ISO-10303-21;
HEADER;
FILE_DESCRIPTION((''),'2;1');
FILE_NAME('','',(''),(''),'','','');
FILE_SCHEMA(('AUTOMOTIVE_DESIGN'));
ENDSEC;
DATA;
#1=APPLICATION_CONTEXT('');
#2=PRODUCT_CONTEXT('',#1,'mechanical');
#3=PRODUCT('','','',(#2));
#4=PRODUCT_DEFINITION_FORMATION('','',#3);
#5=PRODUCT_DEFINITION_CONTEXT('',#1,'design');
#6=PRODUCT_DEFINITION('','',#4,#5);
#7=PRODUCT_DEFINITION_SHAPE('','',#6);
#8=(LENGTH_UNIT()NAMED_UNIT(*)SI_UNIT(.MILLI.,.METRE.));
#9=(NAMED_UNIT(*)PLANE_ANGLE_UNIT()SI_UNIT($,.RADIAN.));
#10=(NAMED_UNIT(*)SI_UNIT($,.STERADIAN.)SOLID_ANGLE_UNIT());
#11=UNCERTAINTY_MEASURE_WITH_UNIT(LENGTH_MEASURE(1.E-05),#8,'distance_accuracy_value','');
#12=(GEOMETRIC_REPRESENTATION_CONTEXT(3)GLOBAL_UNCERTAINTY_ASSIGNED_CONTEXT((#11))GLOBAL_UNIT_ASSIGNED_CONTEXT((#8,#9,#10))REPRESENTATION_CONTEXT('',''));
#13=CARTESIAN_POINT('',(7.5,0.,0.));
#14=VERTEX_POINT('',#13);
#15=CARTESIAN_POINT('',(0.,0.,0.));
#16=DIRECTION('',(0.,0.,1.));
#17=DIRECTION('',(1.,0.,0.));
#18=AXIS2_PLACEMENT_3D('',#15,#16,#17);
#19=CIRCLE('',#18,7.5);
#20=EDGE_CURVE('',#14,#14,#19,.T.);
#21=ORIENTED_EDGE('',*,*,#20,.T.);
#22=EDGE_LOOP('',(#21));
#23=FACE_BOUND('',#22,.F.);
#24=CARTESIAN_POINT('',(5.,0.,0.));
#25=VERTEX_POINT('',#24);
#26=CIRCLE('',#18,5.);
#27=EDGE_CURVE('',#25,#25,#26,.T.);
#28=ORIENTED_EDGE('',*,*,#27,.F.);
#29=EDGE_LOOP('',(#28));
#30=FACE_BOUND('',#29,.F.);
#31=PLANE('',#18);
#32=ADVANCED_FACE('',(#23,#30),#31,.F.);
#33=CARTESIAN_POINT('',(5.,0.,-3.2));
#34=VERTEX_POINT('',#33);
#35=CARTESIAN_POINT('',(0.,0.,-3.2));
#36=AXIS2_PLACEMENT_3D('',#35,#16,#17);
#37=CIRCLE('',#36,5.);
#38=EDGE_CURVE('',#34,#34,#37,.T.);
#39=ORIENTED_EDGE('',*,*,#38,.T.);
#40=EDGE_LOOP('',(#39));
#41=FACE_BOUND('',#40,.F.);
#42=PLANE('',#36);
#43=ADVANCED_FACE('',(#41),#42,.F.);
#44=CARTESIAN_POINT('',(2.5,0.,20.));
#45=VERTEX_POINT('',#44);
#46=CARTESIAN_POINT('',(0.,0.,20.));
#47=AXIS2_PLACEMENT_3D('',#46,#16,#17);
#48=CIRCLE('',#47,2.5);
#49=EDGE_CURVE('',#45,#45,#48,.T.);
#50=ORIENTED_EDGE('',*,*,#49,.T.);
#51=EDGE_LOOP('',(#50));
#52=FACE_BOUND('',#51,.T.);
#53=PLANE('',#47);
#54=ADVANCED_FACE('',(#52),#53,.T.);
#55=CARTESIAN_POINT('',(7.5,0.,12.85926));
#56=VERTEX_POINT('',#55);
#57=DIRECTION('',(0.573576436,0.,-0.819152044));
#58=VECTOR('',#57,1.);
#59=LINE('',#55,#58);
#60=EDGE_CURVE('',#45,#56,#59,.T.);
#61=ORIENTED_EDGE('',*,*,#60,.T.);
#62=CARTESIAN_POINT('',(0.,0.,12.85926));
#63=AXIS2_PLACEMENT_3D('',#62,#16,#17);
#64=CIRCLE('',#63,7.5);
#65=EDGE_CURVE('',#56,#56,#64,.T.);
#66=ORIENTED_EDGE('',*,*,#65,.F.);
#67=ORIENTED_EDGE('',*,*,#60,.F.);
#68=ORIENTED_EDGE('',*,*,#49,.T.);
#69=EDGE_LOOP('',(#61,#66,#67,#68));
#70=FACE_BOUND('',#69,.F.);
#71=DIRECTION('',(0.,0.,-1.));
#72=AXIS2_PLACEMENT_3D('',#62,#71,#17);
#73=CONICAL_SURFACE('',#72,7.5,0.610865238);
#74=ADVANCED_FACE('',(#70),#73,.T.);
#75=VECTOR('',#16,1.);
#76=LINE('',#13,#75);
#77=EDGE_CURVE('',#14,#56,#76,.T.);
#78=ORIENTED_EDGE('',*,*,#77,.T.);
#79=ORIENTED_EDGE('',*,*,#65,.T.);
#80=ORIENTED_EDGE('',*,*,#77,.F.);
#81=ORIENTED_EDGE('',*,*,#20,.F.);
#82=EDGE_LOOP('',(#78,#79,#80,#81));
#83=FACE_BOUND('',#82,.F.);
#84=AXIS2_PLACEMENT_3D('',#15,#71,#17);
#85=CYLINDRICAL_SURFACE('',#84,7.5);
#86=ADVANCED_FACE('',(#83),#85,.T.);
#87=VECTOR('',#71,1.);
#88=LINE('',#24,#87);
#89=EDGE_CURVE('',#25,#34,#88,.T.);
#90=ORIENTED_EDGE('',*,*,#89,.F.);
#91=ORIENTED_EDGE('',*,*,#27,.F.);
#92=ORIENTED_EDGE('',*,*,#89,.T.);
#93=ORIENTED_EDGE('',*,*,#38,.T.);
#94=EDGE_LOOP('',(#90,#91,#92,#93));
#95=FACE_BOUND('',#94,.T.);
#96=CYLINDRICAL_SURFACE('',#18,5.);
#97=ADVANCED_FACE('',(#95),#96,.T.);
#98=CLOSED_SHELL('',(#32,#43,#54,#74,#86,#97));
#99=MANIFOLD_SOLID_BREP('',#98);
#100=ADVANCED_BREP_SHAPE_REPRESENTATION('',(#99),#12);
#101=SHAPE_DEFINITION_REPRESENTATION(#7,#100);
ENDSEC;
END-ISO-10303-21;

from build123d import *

# Parameters (mm, degrees)
F0_R     = 7.5
F1_DEPTH = 20
F2_SIZE2 = 7.1407400337
F2_SIZE  = 5
F3_R     = 5
F4_DEPTH = 3.2


with BuildPart() as f1:
    # F0 (on Top) → F1 (new body)
    with BuildSketch(Plane.XY):
        Circle(F0_R)
    extrude(amount=F1_DEPTH)

    # F2
    f2_edges = [f1.edges().sort_by_distance(p)[0] for p in [
        (-7.5, 0, 20),
    ]]
    f2_side = f1.faces().sort_by_distance((0, 0, 20))[0]
    chamfer(f2_edges, length=F2_SIZE, length2=F2_SIZE2, reference=f2_side)

    # F3 (on Top) → F4 (join)
    with BuildSketch(Plane.XY):
        Circle(F3_R)
    extrude(amount=-F4_DEPTH)


solid = f1.part
